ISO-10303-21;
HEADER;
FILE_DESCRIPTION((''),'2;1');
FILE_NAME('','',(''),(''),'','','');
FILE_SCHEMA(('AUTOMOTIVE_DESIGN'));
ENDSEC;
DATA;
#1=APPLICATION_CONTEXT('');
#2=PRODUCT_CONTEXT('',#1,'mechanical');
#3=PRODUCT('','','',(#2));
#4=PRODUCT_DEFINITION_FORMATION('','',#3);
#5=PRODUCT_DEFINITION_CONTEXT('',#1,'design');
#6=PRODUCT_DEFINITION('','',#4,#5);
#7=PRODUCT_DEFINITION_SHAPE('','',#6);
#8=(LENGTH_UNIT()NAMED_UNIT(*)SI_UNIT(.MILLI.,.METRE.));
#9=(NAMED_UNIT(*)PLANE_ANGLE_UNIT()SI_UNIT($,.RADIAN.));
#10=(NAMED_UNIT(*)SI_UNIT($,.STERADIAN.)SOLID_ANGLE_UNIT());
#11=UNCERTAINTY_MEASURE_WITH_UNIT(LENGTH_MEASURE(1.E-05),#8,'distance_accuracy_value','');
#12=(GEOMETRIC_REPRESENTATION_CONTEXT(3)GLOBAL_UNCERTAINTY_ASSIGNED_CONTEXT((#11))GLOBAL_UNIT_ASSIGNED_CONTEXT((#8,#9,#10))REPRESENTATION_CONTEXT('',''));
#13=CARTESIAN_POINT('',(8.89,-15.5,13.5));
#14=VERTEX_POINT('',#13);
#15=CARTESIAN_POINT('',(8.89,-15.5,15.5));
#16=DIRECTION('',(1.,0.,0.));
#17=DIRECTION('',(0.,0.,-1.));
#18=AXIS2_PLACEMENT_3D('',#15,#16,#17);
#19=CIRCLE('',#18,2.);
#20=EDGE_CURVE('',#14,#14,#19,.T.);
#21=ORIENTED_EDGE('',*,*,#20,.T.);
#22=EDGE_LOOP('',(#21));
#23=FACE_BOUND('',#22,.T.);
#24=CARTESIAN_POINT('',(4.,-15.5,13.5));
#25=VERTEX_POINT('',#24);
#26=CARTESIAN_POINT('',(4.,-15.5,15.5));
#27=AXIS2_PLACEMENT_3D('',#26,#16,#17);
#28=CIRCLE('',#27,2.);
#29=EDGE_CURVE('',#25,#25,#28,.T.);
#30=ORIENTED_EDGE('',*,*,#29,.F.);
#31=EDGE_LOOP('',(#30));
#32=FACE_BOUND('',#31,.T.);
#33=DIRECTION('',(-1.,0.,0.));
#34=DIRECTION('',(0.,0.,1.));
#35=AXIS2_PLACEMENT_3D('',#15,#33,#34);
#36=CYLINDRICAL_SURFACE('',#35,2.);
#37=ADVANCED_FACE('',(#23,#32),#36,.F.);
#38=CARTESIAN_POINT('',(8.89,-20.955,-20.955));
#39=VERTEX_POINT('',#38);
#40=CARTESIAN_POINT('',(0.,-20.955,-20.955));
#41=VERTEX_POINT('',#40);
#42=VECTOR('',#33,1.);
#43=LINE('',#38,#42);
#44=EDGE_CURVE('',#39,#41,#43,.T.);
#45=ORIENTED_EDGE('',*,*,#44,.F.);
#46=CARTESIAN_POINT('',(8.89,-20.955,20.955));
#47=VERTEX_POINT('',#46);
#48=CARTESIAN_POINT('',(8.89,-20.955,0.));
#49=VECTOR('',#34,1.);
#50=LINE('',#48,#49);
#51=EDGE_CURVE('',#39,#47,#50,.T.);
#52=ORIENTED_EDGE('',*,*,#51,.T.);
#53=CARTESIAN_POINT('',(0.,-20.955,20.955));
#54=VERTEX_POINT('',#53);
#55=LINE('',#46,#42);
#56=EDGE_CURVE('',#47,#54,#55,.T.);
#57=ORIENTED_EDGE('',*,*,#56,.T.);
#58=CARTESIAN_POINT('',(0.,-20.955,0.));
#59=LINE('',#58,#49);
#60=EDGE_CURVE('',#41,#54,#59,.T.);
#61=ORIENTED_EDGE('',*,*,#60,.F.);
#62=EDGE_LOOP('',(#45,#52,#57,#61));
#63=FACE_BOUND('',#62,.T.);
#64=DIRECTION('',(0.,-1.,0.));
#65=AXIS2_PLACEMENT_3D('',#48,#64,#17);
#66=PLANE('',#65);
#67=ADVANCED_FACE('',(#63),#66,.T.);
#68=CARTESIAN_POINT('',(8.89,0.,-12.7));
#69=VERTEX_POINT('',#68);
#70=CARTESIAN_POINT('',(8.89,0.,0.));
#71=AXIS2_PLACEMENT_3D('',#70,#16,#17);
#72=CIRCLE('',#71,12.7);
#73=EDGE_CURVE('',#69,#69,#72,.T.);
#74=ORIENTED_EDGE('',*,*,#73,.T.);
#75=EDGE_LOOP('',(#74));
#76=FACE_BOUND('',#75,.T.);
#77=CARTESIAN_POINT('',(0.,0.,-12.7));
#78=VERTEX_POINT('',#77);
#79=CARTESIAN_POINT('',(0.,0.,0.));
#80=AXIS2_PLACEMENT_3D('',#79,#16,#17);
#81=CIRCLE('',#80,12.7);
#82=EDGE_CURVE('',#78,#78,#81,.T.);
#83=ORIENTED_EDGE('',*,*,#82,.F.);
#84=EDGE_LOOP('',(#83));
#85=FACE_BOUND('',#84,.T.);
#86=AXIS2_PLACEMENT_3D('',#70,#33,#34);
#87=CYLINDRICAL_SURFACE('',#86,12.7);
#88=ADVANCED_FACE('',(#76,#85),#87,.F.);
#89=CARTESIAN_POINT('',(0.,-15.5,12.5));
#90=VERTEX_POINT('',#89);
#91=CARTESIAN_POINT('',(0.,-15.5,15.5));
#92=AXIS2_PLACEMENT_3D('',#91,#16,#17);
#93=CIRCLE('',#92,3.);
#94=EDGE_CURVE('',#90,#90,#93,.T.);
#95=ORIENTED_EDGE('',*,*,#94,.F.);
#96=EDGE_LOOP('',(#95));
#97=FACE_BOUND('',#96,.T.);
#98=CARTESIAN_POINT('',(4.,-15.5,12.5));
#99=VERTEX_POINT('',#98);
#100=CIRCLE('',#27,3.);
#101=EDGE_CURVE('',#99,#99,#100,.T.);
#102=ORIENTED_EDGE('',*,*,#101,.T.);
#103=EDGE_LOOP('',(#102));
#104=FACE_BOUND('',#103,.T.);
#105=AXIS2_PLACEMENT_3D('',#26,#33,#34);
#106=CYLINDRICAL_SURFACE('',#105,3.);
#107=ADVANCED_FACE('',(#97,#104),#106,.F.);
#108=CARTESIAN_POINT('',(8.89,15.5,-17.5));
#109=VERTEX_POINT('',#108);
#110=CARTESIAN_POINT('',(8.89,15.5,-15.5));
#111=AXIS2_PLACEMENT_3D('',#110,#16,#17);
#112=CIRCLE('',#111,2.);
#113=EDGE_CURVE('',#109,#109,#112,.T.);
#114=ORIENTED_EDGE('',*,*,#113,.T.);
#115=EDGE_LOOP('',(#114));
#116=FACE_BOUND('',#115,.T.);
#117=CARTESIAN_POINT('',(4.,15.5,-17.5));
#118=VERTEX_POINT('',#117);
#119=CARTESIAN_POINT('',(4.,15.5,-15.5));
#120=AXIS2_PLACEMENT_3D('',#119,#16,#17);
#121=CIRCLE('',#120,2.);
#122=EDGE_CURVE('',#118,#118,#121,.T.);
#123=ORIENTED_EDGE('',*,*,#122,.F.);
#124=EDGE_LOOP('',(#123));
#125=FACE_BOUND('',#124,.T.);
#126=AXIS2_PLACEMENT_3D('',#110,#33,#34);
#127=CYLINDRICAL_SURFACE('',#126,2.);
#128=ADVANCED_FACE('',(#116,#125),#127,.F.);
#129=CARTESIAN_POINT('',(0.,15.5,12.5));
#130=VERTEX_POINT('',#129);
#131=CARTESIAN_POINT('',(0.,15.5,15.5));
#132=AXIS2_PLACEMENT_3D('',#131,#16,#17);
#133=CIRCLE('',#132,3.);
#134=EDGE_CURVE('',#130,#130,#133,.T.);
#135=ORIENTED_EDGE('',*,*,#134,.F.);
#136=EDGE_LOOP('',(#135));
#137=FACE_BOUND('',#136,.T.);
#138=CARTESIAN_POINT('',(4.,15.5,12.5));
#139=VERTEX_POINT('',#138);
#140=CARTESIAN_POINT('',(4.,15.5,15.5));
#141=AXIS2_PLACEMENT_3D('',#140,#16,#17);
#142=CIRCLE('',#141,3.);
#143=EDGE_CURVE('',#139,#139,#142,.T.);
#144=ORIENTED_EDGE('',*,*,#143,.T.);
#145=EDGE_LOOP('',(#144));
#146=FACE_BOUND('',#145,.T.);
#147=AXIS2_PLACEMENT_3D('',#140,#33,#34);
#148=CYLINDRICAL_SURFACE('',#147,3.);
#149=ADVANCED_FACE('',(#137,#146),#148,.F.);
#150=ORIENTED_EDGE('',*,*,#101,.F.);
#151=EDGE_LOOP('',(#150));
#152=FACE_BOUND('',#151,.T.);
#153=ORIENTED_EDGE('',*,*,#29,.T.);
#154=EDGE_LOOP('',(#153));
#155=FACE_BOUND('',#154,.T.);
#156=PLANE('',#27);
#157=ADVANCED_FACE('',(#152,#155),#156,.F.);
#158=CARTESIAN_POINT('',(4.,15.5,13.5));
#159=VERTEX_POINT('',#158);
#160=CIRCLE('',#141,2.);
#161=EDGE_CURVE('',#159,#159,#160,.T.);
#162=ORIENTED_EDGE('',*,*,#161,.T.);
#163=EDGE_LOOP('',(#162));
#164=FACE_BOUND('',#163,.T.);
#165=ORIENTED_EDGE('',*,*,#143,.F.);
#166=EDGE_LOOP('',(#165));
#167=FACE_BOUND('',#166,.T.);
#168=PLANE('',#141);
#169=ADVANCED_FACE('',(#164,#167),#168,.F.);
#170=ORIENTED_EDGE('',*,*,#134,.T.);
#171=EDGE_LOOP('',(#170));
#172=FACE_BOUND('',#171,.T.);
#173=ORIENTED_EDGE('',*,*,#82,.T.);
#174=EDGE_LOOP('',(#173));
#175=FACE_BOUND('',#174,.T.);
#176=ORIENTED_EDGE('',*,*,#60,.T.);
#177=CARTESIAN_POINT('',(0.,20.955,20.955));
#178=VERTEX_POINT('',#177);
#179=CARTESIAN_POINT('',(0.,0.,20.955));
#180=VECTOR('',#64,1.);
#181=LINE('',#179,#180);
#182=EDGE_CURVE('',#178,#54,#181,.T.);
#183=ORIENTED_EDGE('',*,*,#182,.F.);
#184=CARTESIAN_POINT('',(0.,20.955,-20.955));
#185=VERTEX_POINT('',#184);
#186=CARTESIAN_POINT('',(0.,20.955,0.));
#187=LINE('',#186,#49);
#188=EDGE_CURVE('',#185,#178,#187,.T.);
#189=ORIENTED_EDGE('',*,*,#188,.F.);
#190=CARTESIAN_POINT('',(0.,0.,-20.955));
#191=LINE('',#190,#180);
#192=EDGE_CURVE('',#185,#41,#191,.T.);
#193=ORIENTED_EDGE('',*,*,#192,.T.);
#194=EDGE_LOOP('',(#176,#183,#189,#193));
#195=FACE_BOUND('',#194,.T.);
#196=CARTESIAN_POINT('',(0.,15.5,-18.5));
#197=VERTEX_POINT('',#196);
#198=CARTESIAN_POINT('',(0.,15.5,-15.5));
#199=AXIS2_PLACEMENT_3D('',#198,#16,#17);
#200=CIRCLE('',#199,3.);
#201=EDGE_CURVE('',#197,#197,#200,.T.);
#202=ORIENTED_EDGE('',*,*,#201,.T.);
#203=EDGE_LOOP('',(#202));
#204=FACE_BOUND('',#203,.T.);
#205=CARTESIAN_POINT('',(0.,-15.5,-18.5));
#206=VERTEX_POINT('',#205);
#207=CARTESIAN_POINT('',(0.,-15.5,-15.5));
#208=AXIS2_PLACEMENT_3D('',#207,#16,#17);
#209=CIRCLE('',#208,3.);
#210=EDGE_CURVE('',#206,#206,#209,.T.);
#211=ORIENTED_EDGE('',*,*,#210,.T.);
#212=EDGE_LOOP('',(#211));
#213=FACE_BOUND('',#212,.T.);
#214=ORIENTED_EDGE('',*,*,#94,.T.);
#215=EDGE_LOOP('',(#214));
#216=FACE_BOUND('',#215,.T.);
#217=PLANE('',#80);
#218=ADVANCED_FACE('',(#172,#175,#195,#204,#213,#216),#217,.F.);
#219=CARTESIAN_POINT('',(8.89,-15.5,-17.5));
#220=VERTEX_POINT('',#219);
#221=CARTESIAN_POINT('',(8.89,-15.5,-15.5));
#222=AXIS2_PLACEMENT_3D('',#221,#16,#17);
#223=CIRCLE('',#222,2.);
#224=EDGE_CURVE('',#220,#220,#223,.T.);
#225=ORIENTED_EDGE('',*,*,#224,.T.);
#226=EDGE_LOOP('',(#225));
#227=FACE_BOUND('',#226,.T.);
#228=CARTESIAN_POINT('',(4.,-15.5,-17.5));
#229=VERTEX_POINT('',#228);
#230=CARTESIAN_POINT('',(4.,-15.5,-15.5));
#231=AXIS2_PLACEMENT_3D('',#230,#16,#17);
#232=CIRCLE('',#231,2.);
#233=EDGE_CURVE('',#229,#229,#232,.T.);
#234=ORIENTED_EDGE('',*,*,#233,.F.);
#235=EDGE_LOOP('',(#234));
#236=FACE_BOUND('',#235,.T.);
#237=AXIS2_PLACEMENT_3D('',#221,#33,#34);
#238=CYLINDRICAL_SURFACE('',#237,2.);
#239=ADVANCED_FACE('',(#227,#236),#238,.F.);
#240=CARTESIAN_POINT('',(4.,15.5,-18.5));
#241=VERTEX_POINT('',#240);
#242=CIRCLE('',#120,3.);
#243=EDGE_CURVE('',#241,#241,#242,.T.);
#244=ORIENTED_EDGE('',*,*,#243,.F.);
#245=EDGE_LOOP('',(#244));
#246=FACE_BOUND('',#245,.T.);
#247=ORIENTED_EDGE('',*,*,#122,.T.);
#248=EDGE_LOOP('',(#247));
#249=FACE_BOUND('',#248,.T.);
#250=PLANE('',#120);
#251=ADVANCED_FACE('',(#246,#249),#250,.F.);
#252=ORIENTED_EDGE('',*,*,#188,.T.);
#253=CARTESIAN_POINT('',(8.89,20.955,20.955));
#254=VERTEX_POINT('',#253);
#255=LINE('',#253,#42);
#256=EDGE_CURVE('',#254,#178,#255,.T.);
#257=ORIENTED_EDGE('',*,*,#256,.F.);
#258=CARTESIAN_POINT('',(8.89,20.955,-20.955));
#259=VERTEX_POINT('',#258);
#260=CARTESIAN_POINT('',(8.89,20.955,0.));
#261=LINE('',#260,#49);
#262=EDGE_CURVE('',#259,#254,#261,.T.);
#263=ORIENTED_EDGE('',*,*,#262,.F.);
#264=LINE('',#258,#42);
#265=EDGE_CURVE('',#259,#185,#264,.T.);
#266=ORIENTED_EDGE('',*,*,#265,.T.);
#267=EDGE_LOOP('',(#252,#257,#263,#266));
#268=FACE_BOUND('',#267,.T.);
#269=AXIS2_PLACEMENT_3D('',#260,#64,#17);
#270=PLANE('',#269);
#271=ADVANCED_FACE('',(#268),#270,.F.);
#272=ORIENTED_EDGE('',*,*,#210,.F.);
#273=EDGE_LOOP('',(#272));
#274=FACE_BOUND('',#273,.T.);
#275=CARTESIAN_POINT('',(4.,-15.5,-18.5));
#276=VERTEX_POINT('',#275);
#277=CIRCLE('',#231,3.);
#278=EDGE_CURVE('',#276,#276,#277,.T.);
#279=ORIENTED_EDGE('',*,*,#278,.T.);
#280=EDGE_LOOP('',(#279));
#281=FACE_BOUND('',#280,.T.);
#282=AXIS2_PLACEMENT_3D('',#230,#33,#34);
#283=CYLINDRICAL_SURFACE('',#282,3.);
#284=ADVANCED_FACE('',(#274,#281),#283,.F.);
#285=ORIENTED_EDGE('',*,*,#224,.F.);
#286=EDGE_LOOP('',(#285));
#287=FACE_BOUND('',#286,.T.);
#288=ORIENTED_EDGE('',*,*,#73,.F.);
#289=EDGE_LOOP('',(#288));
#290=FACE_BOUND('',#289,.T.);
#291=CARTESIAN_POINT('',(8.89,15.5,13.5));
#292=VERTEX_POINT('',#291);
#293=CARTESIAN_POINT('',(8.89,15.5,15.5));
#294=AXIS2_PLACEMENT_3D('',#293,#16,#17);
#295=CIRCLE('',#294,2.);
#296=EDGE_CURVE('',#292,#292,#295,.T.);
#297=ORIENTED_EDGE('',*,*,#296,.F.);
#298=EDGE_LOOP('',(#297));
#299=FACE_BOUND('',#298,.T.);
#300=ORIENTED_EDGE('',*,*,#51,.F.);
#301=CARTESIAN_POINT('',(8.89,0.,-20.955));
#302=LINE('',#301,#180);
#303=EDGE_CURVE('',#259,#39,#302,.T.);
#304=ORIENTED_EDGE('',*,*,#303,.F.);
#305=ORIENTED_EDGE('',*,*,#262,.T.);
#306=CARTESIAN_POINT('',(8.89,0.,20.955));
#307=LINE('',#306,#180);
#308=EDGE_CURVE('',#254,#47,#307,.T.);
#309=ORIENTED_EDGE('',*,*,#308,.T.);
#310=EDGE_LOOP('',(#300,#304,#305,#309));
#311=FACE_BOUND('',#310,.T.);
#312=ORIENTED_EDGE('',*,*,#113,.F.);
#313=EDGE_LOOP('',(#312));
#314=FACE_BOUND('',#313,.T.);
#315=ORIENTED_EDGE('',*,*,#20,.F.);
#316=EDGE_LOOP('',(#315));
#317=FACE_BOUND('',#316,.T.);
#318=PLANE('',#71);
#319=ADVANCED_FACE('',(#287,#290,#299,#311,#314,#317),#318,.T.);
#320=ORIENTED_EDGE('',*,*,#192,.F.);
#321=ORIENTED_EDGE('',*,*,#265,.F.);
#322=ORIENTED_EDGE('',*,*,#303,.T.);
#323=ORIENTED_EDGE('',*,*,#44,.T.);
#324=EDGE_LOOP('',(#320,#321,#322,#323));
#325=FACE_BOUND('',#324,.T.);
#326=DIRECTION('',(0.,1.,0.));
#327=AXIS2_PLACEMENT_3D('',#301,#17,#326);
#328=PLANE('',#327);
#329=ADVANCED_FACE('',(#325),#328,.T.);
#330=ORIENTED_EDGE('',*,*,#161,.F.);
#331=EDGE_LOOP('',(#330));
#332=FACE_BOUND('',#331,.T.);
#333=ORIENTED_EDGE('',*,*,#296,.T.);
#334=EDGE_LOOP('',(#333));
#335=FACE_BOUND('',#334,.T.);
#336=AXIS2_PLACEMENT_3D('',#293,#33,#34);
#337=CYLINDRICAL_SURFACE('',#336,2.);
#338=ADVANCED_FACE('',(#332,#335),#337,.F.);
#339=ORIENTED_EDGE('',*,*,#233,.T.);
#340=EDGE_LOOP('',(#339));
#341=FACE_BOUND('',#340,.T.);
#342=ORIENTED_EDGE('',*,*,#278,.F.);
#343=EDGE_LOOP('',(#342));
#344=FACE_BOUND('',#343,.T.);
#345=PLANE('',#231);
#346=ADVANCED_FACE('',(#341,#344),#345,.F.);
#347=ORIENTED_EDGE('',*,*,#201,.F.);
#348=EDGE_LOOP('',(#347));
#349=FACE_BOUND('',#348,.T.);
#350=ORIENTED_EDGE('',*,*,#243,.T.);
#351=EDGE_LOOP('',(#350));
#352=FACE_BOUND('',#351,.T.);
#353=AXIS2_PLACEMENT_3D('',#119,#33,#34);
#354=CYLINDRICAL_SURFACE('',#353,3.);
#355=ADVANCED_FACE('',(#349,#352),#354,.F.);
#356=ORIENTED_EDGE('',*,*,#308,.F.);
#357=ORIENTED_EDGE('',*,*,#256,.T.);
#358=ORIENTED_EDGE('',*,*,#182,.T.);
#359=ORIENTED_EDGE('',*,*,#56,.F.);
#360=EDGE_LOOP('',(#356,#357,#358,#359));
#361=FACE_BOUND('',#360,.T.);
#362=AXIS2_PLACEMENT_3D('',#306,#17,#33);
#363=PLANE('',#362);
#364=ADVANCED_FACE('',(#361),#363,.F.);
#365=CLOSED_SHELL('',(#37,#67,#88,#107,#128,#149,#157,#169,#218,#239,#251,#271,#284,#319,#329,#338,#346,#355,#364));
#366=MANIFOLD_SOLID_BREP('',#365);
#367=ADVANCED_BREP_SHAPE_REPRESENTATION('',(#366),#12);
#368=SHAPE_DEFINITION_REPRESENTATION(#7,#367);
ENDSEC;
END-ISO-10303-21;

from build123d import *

# Parameters (mm, degrees)
SKETCH37_W           = 41.91
SKETCH37_H           = 41.91
SKETCH37_R           = 12.7
SKETCH37_R_2         = 2
BOSS_EXTRUDE27_DEPTH = 8.89
SKETCH37_9_R         = 2.999999969
CUT_EXTRUDE1_DEPTH   = 4.000000128


with BuildPart() as part:
    # Sketch37 → Boss-Extrude27 (new body)
    with BuildSketch(Plane(origin=(0, 0, 0), x_dir=(0, 0, -1), z_dir=(1, 0, 0))):
        Rectangle(SKETCH37_W, SKETCH37_H)
        Circle(SKETCH37_R, mode=Mode.SUBTRACT)
        with Locations((-15.5, -15.5)):
            Circle(SKETCH37_R_2, mode=Mode.SUBTRACT)
        with Locations((15.5, -15.5)):
            Circle(SKETCH37_R_2, mode=Mode.SUBTRACT)
        with Locations((-15.5, 15.5)):
            Circle(SKETCH37_R_2, mode=Mode.SUBTRACT)
        with Locations((15.5, 15.5)):
            Circle(SKETCH37_R_2, mode=Mode.SUBTRACT)
    extrude(amount=BOSS_EXTRUDE27_DEPTH)

    # Sketch37<9> → Cut-Extrude1 (cut)
    with BuildSketch(Plane(origin=(0, 0, 0), x_dir=(0, 0, -1), z_dir=(1, 0, 0))):
        with Locations((15.5, 15.5)):
            Circle(SKETCH37_9_R)
        with Locations((-15.5, 15.5)):
            Circle(SKETCH37_9_R)
        with Locations((-15.5, -15.5)):
            Circle(SKETCH37_9_R)
        with Locations((15.5, -15.5)):
            Circle(SKETCH37_9_R)
    extrude(amount=CUT_EXTRUDE1_DEPTH, mode=Mode.SUBTRACT)


solid = part.part
